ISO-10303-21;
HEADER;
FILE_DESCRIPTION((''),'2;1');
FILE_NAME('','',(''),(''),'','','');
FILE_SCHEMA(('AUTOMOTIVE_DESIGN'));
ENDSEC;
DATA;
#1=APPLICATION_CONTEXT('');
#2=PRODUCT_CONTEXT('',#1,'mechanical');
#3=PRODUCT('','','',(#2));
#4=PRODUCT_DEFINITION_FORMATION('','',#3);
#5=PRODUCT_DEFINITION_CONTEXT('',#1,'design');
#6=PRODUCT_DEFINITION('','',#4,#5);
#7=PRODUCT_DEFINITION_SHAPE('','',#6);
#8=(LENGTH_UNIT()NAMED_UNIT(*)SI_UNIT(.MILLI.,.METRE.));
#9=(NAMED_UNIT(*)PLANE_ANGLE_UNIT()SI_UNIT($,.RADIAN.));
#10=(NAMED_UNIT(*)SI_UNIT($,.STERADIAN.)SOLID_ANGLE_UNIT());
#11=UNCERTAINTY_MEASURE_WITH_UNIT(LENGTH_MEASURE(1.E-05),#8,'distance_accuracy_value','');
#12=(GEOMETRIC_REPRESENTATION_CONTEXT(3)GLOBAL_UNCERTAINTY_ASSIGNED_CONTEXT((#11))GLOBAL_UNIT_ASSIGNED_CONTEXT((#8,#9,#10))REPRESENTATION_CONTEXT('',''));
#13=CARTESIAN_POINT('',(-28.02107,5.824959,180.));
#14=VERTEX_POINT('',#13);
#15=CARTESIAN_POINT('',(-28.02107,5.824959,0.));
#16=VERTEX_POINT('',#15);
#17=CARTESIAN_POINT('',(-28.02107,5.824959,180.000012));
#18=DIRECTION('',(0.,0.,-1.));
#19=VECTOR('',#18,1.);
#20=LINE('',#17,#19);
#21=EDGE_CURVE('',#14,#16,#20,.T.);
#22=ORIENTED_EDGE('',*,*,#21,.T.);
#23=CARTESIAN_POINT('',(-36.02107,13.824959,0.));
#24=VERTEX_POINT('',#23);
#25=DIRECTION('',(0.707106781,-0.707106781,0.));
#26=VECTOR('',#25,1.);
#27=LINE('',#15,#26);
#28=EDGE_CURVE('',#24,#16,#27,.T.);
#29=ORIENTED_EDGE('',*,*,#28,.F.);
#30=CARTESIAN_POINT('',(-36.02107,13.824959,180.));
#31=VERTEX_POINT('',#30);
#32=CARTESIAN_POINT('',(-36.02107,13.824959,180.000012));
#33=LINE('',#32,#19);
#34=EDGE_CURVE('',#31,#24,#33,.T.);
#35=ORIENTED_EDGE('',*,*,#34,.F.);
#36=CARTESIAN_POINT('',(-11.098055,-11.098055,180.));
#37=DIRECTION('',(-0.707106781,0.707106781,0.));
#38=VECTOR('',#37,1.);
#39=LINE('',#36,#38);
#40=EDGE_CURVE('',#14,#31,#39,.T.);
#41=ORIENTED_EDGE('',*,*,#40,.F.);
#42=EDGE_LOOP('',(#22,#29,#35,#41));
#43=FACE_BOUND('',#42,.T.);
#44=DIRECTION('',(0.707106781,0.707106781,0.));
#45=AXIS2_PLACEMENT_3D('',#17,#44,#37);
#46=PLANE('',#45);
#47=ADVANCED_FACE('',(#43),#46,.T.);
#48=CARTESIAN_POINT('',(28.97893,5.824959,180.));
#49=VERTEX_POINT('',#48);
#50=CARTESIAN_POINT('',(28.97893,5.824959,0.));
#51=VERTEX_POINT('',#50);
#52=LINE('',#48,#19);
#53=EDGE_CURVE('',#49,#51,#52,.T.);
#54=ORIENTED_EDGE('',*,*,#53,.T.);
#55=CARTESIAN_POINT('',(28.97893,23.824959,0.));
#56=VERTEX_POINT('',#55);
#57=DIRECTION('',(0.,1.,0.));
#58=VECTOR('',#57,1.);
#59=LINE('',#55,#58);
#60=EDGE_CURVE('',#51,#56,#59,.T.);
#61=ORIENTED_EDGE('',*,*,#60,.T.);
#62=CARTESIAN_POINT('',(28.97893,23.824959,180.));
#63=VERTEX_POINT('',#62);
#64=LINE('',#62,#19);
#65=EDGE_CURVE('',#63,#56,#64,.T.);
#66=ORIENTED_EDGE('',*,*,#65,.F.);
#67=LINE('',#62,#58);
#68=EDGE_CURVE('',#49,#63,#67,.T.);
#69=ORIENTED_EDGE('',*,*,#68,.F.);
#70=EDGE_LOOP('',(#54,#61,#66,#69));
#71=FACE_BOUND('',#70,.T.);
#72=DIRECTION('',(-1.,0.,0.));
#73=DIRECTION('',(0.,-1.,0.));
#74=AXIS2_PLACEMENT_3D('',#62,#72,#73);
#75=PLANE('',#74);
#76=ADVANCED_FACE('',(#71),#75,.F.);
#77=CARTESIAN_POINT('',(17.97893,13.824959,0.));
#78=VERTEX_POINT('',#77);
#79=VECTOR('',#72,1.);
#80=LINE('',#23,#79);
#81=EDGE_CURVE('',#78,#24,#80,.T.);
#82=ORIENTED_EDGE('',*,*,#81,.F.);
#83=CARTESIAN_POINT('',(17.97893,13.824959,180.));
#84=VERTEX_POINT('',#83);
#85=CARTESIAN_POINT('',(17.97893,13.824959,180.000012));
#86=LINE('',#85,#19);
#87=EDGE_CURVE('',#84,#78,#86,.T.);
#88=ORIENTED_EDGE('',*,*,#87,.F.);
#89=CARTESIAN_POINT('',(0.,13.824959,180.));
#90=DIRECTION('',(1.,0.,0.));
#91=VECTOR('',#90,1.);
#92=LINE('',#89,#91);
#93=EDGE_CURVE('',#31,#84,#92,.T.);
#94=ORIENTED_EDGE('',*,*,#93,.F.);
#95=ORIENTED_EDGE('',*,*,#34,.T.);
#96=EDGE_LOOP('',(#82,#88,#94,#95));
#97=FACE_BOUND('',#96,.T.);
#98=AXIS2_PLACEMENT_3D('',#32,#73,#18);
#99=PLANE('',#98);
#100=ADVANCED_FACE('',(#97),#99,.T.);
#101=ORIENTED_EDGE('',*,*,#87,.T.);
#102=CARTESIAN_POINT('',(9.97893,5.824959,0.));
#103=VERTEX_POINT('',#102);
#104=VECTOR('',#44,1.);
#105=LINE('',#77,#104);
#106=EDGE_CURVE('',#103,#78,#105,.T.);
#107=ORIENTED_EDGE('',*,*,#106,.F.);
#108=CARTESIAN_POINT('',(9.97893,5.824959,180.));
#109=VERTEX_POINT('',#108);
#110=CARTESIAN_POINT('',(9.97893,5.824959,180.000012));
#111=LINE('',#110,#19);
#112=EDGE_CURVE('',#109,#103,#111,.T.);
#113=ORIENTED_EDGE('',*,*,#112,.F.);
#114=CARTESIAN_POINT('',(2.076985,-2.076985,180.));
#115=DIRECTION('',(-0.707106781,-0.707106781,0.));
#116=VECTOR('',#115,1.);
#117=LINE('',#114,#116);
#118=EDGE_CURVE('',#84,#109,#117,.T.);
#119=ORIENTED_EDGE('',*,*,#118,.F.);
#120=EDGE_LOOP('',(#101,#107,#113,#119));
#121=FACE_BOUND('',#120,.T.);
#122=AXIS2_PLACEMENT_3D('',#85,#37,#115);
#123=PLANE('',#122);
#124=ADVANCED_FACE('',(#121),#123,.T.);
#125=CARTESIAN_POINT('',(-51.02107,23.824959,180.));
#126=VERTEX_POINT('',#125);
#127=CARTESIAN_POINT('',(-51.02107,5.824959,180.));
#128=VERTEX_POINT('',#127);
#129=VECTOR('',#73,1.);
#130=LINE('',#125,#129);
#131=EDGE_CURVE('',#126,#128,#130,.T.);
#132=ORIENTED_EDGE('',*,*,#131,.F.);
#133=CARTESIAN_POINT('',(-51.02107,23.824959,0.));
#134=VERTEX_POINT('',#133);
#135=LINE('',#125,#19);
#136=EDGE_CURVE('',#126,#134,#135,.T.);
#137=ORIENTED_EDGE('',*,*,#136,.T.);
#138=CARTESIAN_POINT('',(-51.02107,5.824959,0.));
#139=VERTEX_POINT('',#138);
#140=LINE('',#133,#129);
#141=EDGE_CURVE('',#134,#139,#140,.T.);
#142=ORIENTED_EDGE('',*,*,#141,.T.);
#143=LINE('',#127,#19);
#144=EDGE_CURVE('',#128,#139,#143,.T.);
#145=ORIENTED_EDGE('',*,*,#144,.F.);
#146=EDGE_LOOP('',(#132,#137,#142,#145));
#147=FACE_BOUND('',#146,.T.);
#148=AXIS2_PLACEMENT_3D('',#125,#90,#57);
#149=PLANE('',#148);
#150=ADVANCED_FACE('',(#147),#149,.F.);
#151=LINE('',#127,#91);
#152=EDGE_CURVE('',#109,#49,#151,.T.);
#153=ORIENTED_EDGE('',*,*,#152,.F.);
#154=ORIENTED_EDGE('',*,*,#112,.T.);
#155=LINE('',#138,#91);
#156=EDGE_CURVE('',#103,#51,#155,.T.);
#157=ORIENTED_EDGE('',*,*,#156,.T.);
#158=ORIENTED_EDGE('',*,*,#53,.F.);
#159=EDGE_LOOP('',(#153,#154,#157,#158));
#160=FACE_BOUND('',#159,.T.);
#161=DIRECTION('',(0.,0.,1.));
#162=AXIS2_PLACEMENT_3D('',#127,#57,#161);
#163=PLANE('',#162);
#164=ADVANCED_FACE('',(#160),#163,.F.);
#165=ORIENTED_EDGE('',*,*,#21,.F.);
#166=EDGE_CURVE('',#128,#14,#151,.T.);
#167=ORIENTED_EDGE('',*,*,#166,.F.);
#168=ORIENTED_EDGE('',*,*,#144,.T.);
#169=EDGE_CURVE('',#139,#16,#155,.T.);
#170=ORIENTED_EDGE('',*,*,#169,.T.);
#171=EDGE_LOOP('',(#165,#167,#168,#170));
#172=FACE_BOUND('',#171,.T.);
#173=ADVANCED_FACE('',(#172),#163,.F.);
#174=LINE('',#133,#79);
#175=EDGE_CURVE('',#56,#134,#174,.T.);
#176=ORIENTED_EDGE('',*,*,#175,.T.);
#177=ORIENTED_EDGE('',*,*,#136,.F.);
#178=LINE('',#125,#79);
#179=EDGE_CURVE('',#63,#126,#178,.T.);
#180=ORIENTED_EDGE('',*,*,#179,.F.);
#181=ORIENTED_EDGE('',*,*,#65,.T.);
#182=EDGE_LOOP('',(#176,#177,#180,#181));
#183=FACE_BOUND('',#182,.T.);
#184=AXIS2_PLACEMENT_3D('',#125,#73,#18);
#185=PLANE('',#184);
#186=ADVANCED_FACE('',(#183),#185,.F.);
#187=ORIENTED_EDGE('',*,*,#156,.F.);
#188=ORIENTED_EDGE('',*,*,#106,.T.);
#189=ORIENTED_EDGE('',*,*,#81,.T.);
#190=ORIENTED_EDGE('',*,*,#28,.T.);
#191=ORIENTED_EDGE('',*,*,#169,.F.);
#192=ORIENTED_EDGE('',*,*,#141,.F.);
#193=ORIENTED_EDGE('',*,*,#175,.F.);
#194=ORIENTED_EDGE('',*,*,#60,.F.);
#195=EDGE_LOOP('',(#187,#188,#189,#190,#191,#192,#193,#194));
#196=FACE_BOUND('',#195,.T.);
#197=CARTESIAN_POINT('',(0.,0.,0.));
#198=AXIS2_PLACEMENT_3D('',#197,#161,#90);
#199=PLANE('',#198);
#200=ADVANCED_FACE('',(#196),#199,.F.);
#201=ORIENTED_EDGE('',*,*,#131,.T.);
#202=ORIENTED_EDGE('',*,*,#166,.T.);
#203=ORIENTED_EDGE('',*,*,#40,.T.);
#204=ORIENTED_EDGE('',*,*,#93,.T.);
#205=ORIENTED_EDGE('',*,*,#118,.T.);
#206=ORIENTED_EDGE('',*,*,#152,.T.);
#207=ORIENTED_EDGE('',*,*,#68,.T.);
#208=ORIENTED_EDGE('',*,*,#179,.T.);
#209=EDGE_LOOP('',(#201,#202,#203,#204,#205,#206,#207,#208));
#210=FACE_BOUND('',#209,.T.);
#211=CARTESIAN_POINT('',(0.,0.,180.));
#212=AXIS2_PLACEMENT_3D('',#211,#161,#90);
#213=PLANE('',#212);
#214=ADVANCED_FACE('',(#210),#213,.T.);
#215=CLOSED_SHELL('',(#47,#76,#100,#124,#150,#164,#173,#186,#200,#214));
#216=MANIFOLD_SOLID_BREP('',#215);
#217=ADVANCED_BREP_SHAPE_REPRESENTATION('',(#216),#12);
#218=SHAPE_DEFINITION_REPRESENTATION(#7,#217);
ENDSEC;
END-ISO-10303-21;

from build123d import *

# Parameters (mm, degrees)
SKETCH1_W               = 80
SKETCH1_H               = 18
BOSS_EXTRUDE1_DEPTH     = 180
CUT_EXTRUDE1_DEPTH      = 1
CUT_EXTRUDE1_DEPTH_BACK = 180


with BuildPart() as part:
    # Sketch1 → Boss-Extrude1 (new body)
    with BuildSketch(Plane.XY):
        with Locations((-11.021069692, 14.824959481)):
            Rectangle(SKETCH1_W, SKETCH1_H)
    extrude(amount=BOSS_EXTRUDE1_DEPTH)

    # Sketch2 → Cut-Extrude1 (cut, two sides)
    with BuildSketch(Plane.XY.offset(180)) as cut_extrude1_sk:
        Polygon((-28.021069692, 5.824959481), (-36.021069692, 13.824959481), (17.978930308, 13.824959481), (9.978930308, 5.824959481), align=None)
    extrude(amount=CUT_EXTRUDE1_DEPTH, mode=Mode.SUBTRACT)
    extrude(cut_extrude1_sk.sketch, amount=-CUT_EXTRUDE1_DEPTH_BACK, mode=Mode.SUBTRACT)


solid = part.part
